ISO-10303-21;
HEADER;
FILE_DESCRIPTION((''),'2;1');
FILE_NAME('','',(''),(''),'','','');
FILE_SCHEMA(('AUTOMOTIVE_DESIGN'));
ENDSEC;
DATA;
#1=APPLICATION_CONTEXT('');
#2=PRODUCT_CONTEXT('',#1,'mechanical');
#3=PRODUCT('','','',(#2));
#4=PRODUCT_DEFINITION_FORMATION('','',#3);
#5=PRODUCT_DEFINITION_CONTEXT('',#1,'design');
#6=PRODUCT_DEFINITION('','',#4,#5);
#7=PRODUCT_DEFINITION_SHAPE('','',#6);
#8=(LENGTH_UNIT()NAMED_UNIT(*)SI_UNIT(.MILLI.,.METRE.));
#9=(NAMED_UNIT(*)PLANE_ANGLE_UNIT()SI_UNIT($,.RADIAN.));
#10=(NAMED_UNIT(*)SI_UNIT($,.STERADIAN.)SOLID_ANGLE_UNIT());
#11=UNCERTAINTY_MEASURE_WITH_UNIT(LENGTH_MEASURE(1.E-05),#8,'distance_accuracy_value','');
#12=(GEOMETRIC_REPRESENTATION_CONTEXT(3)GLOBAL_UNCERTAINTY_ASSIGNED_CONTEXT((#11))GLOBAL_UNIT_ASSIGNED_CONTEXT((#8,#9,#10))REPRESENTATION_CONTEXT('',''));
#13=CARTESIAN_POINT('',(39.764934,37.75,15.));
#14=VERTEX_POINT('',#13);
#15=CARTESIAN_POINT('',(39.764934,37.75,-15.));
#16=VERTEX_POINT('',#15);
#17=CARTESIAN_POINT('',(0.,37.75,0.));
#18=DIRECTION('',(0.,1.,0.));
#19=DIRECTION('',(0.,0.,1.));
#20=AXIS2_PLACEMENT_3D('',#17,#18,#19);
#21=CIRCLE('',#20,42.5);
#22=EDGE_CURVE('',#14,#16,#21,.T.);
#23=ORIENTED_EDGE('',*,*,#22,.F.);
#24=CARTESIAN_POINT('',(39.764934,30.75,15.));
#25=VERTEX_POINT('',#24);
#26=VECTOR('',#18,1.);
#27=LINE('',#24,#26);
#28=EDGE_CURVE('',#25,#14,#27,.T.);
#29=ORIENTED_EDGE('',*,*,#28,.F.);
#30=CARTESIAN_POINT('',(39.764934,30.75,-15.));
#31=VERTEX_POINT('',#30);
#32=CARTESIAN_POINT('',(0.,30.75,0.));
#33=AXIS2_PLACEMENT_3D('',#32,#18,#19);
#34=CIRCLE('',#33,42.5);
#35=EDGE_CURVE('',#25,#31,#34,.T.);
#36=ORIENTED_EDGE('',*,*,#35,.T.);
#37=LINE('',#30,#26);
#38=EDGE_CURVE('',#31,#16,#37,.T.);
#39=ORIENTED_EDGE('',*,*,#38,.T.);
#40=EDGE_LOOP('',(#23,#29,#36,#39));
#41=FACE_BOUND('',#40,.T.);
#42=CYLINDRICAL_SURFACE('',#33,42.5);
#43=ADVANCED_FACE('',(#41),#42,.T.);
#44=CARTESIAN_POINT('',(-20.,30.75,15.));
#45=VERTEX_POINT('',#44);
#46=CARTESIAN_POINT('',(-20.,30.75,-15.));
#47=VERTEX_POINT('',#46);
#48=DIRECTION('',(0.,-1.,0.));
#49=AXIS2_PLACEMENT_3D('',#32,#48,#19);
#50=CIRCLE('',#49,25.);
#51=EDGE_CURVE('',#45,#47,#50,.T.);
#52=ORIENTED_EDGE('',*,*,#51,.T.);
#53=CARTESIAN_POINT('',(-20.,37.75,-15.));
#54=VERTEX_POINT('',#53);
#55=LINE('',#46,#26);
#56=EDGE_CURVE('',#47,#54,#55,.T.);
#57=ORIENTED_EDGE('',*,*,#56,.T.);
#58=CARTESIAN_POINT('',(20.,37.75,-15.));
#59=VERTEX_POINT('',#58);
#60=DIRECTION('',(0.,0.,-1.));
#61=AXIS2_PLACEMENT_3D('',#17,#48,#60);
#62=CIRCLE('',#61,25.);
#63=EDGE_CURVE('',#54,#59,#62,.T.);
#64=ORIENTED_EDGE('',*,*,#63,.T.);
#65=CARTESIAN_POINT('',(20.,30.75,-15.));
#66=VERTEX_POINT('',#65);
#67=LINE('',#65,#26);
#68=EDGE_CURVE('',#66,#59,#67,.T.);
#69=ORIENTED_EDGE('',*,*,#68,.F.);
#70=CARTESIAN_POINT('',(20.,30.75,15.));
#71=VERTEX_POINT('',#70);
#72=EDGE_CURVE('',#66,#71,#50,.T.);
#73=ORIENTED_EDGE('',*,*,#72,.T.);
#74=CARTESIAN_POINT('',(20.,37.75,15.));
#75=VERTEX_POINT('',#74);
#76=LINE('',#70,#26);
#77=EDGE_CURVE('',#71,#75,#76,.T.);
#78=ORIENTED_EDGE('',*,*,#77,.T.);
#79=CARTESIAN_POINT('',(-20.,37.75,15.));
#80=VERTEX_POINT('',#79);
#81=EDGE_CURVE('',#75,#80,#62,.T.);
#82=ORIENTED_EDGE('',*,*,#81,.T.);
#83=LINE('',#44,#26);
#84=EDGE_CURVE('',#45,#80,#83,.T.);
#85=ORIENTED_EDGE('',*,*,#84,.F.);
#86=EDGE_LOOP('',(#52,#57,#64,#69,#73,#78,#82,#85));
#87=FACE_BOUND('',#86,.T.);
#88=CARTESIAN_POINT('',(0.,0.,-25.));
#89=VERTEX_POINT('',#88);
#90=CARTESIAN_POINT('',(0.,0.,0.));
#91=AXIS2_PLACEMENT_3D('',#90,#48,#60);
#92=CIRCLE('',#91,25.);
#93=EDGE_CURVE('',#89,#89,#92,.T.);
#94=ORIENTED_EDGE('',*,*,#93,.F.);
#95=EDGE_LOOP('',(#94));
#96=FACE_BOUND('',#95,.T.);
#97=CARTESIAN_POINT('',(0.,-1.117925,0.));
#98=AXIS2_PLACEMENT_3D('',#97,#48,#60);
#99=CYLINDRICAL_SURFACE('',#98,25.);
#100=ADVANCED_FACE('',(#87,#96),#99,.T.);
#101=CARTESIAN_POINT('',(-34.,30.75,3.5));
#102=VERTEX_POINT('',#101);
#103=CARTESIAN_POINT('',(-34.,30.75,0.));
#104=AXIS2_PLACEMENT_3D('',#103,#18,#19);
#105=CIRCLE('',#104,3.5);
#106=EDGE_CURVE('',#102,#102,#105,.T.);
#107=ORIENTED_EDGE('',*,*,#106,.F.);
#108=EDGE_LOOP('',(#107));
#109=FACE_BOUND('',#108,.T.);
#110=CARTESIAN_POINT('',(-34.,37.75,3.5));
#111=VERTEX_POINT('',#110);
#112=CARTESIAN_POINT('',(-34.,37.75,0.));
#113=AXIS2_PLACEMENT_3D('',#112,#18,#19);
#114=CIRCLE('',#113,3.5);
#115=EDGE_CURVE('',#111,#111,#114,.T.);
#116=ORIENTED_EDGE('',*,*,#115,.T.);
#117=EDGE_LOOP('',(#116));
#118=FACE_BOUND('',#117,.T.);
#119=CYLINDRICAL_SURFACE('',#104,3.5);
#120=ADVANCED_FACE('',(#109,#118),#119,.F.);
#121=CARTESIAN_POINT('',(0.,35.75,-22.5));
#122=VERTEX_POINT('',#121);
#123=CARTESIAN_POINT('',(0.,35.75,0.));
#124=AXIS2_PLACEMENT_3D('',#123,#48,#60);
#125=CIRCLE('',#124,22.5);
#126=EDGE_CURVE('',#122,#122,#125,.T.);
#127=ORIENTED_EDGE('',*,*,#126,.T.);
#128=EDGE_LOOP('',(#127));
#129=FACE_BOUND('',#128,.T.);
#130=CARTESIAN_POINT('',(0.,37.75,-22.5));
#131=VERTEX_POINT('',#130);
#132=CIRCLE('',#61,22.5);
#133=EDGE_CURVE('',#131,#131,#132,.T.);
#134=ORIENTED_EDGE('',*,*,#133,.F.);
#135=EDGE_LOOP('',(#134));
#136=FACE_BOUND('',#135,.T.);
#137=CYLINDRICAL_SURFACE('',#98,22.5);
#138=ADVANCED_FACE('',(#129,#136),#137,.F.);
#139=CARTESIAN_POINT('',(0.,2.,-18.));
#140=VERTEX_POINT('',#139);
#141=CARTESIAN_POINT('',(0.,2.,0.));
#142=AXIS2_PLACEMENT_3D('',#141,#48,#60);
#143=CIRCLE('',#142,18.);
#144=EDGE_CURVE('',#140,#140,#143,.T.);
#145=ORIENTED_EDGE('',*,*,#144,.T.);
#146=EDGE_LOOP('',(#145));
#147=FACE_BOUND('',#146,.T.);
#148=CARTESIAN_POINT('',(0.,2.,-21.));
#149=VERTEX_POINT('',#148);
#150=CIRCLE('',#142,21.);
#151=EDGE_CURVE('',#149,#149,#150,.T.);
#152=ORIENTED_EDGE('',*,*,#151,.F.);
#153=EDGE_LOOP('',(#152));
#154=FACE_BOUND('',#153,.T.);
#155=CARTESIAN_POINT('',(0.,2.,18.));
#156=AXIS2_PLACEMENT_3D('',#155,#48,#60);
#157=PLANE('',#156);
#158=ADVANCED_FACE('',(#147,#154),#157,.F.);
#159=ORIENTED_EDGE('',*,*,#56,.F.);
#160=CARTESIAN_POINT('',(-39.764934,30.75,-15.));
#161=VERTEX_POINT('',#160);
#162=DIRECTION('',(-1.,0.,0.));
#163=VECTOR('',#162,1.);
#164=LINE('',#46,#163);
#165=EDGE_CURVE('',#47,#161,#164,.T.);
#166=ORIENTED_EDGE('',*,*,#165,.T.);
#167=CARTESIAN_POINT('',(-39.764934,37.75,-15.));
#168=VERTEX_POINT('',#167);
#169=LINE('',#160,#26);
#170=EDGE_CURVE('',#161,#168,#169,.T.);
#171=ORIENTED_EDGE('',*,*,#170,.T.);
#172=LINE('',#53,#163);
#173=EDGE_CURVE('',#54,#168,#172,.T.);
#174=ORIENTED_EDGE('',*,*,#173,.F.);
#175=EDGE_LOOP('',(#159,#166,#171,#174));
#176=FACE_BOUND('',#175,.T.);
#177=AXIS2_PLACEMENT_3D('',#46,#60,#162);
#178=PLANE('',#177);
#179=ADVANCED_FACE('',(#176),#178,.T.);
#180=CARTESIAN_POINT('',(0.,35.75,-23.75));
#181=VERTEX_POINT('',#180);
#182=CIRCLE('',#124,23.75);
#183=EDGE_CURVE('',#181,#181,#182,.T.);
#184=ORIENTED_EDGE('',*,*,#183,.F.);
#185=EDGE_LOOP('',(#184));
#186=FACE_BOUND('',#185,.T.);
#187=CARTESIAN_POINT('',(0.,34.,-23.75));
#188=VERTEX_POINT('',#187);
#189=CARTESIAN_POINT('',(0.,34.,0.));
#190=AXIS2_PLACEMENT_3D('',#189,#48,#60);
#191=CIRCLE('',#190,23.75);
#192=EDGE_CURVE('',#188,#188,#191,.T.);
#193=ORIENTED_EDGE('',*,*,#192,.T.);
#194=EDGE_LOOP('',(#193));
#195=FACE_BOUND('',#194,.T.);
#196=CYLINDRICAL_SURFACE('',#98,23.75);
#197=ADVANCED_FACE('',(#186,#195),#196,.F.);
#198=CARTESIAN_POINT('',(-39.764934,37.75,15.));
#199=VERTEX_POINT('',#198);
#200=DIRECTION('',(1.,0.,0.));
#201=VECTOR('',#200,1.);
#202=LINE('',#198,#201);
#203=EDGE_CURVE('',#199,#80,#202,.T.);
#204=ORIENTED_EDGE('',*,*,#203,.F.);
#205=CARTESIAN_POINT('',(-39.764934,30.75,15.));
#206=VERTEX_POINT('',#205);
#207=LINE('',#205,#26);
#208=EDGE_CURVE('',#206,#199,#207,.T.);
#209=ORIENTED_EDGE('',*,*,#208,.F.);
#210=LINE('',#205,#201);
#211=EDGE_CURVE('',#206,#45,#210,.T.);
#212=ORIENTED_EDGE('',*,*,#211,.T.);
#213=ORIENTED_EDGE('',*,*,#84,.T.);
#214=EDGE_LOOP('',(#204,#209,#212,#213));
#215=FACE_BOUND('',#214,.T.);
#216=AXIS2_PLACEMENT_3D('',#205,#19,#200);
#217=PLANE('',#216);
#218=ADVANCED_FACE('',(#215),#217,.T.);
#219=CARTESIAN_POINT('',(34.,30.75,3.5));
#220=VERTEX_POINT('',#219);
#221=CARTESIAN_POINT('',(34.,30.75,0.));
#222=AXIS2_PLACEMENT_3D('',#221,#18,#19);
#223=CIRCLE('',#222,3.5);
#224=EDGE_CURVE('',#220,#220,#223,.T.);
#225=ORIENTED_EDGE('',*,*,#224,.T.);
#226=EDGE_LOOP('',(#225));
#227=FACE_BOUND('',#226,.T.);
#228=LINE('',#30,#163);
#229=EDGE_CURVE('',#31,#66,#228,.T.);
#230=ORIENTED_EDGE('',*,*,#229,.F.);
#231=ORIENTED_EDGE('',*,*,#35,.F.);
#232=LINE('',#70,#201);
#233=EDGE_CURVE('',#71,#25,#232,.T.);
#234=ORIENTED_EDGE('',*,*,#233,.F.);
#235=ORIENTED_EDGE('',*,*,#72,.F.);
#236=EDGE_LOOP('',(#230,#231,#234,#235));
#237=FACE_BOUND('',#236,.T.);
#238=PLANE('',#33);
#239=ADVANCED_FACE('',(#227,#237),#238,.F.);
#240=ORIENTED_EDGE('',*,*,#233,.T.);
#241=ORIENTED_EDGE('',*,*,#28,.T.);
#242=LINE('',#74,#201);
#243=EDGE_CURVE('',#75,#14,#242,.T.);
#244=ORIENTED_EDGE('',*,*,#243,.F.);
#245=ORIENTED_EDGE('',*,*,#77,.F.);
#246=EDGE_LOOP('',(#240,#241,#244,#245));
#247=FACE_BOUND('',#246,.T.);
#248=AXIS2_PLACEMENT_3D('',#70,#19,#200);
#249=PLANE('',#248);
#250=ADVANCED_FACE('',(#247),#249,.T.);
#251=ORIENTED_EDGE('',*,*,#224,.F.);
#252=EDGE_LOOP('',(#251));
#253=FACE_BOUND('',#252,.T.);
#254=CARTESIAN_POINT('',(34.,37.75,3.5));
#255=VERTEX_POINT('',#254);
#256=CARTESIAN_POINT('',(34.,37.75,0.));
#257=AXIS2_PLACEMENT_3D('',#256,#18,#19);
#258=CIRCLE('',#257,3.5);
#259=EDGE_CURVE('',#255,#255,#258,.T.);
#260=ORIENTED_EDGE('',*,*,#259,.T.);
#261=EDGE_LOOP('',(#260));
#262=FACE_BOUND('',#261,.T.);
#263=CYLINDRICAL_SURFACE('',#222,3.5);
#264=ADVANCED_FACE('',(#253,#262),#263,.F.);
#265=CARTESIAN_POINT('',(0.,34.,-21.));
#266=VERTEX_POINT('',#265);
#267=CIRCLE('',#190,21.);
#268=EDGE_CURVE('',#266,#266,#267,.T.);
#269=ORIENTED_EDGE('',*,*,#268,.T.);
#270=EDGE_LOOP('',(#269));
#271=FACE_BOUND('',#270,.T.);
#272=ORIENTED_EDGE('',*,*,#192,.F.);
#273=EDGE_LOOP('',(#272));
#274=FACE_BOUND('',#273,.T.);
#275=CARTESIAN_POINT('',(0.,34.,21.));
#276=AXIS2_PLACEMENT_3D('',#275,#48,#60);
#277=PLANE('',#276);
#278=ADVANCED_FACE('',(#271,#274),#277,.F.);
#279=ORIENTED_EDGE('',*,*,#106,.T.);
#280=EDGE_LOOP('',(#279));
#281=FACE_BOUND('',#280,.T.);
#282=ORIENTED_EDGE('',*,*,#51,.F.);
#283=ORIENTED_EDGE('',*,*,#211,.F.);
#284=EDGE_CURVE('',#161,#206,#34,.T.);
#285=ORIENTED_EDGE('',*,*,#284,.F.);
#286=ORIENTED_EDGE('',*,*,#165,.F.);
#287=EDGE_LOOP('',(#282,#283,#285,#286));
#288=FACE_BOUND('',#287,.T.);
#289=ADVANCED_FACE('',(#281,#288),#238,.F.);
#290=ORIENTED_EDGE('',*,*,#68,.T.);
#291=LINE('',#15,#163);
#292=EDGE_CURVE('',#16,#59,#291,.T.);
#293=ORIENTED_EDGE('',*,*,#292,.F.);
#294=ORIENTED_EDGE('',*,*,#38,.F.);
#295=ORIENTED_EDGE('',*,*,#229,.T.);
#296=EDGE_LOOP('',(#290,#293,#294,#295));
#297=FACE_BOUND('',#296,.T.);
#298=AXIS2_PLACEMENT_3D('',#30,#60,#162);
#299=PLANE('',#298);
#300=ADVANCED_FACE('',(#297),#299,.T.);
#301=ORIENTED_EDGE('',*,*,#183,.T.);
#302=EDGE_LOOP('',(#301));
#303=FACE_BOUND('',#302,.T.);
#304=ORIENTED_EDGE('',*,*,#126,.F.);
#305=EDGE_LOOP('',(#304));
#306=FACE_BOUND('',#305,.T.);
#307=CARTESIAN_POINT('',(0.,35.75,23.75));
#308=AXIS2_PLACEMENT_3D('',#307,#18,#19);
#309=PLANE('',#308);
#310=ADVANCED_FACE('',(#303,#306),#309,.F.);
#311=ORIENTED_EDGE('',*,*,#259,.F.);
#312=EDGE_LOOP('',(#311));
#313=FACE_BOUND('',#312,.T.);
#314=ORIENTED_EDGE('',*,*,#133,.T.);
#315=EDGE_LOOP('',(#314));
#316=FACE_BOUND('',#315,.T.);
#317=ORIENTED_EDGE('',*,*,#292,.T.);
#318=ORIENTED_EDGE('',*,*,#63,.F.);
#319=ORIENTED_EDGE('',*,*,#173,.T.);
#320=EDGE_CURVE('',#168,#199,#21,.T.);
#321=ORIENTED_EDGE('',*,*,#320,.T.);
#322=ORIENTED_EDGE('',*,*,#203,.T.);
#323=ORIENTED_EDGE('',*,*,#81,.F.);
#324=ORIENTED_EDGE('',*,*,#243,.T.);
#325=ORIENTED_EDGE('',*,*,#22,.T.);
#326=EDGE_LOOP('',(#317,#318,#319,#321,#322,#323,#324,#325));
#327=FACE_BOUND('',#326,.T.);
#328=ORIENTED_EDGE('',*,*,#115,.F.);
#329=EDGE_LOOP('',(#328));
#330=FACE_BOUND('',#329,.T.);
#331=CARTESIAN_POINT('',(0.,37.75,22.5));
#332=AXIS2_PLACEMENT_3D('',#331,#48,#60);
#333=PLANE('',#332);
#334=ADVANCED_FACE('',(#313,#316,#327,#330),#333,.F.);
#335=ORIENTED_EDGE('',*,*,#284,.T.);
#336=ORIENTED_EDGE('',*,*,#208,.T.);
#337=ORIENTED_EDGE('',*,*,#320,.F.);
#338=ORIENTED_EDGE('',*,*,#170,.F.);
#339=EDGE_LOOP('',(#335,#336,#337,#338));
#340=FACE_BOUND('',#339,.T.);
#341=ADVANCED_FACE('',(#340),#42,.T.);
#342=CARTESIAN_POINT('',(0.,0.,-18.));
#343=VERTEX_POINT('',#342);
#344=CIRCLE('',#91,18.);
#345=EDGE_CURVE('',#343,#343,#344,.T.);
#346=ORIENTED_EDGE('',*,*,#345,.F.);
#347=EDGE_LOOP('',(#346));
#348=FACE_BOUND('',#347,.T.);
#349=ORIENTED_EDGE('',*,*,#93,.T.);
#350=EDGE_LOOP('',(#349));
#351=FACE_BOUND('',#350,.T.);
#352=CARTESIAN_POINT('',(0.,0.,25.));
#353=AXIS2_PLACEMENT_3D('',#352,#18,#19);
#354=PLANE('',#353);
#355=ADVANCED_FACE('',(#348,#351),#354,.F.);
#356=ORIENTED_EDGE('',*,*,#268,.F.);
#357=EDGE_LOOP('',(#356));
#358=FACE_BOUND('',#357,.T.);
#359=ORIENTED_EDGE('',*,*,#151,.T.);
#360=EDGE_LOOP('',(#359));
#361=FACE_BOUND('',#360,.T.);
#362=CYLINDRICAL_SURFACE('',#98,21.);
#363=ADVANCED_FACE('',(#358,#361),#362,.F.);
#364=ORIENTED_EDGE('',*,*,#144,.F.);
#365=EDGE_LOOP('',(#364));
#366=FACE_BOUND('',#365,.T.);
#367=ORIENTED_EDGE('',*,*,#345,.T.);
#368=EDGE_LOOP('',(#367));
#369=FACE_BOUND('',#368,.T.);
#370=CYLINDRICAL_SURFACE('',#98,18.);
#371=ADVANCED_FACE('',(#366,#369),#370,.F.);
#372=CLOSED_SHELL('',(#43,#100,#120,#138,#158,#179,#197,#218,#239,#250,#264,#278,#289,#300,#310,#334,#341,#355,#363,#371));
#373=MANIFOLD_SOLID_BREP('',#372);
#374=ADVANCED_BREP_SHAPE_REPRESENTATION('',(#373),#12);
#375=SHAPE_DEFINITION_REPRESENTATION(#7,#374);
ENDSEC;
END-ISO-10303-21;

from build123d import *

# Parameters (mm, degrees)
BOSS_EXTRUDE2_START = -7
BOSS_EXTRUDE2_DEPTH = 7
SKETCH8_R           = 3.5
CUT_EXTRUDE2_DEPTH  = 7


with BuildPart() as part:
    # Sketch4 → Revolve1 (revolve)
    with BuildSketch(Plane(origin=(0, 0, 0), x_dir=(0, 0, -1), z_dir=(1, 0, 0)), mode=Mode.PRIVATE) as revolve1_sk:
        Polygon((-25, 37.75), (-25, 0), (-18, 0), (-18, 2), (-21, 2), (-21, 34), (-23.75, 34), (-23.75, 35.75), (-22.5, 35.75), (-22.5, 37.75), align=None)
    revolve(revolve1_sk.sketch.rotate(Axis((0, -1.117924861, 0), (0, 1, 0)), 180), axis=Axis((0, -1.117924861, 0), (0, 1, 0)))

    # Sketch7 → Boss-Extrude2 (add)
    with BuildSketch(Plane(origin=(0, 37.75, 0), x_dir=(1, 0, 0), z_dir=(0, 1, 0)).offset(BOSS_EXTRUDE2_START)):
        with BuildLine():
            Line((-39.764934301, -15), (-20, -15))
            ThreePointArc((-20, -15), (-25, 0), (-20, 15))
            Line((-20, 15), (-39.764934301, 15))
            ThreePointArc((-39.764934301, 15), (-42.5, 0), (-39.764934301, -15))
        make_face()
        with BuildLine():
            Line((39.764934301, 15), (20, 15))
            ThreePointArc((20, 15), (25, 0), (20, -15))
            Line((20, -15), (39.764934301, -15))
            ThreePointArc((39.764934301, -15), (42.5, 0), (39.764934301, 15))
        make_face()
    extrude(amount=BOSS_EXTRUDE2_DEPTH)

    # Sketch8 → Cut-Extrude2 (cut)
    with BuildSketch(Plane(origin=(0, 37.75, 0), x_dir=(1, 0, 0), z_dir=(0, 1, 0))):
        with Locations(Location((34, 0, 0), (0, 0, 270))):
            Circle(SKETCH8_R)
        with Locations(Location((-34, 0, 0), (0, 0, 270))):
            Circle(SKETCH8_R)
    extrude(amount=-CUT_EXTRUDE2_DEPTH, mode=Mode.SUBTRACT)


solid = part.part
